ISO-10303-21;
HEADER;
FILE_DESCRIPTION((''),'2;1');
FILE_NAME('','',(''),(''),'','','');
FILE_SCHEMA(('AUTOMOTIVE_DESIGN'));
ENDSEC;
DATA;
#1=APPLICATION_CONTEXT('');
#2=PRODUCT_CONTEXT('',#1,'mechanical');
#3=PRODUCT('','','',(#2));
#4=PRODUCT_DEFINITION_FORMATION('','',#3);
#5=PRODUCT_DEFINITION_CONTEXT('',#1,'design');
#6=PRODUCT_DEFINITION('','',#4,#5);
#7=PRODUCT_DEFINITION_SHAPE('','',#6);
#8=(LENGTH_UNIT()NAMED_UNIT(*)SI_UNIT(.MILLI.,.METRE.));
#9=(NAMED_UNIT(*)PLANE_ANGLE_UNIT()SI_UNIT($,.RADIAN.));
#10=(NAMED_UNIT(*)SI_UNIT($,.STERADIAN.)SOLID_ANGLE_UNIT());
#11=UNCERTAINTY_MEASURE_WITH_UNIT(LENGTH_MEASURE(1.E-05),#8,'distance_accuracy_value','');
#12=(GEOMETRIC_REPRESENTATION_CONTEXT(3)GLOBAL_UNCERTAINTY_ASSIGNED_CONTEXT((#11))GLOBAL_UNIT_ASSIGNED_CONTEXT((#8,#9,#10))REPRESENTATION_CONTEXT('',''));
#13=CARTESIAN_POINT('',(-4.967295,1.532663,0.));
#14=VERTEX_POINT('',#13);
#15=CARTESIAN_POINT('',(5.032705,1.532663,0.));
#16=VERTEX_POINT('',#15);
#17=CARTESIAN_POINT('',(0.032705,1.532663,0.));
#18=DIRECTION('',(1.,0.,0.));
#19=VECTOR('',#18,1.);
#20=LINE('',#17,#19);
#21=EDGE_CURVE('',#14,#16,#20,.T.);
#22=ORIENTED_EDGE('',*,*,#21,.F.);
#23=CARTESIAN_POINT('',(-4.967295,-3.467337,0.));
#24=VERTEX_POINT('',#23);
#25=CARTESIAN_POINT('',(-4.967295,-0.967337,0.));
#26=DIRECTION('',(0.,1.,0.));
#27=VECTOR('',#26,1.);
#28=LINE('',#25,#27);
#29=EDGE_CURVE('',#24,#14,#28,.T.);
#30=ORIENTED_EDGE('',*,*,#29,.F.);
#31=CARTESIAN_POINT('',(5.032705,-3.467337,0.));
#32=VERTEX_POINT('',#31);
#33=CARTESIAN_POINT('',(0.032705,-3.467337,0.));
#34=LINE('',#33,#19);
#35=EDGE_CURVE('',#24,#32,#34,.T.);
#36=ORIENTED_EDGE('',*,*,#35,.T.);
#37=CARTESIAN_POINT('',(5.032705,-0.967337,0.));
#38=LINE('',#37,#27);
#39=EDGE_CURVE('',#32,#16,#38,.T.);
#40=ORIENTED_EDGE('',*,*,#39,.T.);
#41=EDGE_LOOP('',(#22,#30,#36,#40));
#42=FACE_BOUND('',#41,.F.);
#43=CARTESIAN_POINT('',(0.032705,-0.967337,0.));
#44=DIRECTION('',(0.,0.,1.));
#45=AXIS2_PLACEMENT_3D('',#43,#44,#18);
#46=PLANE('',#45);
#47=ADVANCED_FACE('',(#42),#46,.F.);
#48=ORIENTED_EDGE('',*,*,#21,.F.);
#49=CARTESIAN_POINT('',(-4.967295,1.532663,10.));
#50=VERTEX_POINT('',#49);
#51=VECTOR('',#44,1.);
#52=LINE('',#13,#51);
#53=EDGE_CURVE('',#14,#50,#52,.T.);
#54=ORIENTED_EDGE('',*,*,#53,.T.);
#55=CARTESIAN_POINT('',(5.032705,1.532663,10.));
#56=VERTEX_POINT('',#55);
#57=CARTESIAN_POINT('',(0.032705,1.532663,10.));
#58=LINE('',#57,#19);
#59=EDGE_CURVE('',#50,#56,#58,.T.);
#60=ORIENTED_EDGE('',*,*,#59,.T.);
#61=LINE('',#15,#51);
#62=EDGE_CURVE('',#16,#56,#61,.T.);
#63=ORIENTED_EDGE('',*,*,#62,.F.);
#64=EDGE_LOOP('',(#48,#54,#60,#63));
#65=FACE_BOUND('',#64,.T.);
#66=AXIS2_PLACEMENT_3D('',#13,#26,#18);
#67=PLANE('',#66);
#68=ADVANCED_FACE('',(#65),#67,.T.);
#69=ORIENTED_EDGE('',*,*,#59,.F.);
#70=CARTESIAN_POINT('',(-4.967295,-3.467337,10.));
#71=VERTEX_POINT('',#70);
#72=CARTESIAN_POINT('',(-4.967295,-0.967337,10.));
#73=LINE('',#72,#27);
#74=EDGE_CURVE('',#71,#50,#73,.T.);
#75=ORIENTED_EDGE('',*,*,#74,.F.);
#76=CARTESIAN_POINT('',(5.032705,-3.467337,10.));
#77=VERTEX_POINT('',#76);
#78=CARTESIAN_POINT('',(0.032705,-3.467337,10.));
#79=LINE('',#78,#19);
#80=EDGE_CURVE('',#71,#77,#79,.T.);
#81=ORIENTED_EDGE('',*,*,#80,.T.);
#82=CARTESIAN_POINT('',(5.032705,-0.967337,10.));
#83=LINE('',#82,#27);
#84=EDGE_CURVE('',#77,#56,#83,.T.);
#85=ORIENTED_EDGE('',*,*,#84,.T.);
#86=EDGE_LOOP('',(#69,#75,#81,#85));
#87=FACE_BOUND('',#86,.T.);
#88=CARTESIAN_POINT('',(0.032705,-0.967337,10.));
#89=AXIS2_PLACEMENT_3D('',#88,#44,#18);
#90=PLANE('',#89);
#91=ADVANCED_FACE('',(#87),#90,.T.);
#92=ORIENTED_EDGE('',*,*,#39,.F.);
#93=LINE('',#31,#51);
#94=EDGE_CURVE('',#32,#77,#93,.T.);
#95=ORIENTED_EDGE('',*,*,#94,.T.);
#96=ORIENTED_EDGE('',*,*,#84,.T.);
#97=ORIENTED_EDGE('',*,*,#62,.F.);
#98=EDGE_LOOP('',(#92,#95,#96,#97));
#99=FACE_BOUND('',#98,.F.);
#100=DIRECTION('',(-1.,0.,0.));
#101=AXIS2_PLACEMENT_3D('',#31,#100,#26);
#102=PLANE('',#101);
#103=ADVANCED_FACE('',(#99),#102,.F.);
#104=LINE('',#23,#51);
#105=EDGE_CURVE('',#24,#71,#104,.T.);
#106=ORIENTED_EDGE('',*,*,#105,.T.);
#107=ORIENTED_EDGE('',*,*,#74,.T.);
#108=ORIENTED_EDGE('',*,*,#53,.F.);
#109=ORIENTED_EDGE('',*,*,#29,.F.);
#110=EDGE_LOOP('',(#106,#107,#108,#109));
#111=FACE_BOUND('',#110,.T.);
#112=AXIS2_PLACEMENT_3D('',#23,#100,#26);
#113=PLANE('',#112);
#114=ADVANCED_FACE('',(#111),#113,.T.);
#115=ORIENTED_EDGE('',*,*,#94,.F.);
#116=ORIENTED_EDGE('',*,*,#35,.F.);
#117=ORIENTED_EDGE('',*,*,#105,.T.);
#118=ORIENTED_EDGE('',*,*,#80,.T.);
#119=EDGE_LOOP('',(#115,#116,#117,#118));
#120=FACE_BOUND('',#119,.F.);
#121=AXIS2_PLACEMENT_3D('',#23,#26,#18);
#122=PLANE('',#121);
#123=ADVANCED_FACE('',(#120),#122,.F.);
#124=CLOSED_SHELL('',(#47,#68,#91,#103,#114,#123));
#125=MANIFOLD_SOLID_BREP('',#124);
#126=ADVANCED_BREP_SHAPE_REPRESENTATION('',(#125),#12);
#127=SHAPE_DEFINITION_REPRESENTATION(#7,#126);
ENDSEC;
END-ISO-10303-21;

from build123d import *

# Parameters (mm, degrees)
ESBO_O1_W                = 10
ESBO_O1_H                = 5
RESSALTO_EXTRUS_O1_DEPTH = 10


with BuildPart() as part:
    # Esboço1 → Ressalto-extrusão1 (new body)
    with BuildSketch(Plane.XY):
        with Locations((0.032704715, -0.967336683)):
            Rectangle(ESBO_O1_W, ESBO_O1_H)
    extrude(amount=RESSALTO_EXTRUS_O1_DEPTH)


solid = part.part
